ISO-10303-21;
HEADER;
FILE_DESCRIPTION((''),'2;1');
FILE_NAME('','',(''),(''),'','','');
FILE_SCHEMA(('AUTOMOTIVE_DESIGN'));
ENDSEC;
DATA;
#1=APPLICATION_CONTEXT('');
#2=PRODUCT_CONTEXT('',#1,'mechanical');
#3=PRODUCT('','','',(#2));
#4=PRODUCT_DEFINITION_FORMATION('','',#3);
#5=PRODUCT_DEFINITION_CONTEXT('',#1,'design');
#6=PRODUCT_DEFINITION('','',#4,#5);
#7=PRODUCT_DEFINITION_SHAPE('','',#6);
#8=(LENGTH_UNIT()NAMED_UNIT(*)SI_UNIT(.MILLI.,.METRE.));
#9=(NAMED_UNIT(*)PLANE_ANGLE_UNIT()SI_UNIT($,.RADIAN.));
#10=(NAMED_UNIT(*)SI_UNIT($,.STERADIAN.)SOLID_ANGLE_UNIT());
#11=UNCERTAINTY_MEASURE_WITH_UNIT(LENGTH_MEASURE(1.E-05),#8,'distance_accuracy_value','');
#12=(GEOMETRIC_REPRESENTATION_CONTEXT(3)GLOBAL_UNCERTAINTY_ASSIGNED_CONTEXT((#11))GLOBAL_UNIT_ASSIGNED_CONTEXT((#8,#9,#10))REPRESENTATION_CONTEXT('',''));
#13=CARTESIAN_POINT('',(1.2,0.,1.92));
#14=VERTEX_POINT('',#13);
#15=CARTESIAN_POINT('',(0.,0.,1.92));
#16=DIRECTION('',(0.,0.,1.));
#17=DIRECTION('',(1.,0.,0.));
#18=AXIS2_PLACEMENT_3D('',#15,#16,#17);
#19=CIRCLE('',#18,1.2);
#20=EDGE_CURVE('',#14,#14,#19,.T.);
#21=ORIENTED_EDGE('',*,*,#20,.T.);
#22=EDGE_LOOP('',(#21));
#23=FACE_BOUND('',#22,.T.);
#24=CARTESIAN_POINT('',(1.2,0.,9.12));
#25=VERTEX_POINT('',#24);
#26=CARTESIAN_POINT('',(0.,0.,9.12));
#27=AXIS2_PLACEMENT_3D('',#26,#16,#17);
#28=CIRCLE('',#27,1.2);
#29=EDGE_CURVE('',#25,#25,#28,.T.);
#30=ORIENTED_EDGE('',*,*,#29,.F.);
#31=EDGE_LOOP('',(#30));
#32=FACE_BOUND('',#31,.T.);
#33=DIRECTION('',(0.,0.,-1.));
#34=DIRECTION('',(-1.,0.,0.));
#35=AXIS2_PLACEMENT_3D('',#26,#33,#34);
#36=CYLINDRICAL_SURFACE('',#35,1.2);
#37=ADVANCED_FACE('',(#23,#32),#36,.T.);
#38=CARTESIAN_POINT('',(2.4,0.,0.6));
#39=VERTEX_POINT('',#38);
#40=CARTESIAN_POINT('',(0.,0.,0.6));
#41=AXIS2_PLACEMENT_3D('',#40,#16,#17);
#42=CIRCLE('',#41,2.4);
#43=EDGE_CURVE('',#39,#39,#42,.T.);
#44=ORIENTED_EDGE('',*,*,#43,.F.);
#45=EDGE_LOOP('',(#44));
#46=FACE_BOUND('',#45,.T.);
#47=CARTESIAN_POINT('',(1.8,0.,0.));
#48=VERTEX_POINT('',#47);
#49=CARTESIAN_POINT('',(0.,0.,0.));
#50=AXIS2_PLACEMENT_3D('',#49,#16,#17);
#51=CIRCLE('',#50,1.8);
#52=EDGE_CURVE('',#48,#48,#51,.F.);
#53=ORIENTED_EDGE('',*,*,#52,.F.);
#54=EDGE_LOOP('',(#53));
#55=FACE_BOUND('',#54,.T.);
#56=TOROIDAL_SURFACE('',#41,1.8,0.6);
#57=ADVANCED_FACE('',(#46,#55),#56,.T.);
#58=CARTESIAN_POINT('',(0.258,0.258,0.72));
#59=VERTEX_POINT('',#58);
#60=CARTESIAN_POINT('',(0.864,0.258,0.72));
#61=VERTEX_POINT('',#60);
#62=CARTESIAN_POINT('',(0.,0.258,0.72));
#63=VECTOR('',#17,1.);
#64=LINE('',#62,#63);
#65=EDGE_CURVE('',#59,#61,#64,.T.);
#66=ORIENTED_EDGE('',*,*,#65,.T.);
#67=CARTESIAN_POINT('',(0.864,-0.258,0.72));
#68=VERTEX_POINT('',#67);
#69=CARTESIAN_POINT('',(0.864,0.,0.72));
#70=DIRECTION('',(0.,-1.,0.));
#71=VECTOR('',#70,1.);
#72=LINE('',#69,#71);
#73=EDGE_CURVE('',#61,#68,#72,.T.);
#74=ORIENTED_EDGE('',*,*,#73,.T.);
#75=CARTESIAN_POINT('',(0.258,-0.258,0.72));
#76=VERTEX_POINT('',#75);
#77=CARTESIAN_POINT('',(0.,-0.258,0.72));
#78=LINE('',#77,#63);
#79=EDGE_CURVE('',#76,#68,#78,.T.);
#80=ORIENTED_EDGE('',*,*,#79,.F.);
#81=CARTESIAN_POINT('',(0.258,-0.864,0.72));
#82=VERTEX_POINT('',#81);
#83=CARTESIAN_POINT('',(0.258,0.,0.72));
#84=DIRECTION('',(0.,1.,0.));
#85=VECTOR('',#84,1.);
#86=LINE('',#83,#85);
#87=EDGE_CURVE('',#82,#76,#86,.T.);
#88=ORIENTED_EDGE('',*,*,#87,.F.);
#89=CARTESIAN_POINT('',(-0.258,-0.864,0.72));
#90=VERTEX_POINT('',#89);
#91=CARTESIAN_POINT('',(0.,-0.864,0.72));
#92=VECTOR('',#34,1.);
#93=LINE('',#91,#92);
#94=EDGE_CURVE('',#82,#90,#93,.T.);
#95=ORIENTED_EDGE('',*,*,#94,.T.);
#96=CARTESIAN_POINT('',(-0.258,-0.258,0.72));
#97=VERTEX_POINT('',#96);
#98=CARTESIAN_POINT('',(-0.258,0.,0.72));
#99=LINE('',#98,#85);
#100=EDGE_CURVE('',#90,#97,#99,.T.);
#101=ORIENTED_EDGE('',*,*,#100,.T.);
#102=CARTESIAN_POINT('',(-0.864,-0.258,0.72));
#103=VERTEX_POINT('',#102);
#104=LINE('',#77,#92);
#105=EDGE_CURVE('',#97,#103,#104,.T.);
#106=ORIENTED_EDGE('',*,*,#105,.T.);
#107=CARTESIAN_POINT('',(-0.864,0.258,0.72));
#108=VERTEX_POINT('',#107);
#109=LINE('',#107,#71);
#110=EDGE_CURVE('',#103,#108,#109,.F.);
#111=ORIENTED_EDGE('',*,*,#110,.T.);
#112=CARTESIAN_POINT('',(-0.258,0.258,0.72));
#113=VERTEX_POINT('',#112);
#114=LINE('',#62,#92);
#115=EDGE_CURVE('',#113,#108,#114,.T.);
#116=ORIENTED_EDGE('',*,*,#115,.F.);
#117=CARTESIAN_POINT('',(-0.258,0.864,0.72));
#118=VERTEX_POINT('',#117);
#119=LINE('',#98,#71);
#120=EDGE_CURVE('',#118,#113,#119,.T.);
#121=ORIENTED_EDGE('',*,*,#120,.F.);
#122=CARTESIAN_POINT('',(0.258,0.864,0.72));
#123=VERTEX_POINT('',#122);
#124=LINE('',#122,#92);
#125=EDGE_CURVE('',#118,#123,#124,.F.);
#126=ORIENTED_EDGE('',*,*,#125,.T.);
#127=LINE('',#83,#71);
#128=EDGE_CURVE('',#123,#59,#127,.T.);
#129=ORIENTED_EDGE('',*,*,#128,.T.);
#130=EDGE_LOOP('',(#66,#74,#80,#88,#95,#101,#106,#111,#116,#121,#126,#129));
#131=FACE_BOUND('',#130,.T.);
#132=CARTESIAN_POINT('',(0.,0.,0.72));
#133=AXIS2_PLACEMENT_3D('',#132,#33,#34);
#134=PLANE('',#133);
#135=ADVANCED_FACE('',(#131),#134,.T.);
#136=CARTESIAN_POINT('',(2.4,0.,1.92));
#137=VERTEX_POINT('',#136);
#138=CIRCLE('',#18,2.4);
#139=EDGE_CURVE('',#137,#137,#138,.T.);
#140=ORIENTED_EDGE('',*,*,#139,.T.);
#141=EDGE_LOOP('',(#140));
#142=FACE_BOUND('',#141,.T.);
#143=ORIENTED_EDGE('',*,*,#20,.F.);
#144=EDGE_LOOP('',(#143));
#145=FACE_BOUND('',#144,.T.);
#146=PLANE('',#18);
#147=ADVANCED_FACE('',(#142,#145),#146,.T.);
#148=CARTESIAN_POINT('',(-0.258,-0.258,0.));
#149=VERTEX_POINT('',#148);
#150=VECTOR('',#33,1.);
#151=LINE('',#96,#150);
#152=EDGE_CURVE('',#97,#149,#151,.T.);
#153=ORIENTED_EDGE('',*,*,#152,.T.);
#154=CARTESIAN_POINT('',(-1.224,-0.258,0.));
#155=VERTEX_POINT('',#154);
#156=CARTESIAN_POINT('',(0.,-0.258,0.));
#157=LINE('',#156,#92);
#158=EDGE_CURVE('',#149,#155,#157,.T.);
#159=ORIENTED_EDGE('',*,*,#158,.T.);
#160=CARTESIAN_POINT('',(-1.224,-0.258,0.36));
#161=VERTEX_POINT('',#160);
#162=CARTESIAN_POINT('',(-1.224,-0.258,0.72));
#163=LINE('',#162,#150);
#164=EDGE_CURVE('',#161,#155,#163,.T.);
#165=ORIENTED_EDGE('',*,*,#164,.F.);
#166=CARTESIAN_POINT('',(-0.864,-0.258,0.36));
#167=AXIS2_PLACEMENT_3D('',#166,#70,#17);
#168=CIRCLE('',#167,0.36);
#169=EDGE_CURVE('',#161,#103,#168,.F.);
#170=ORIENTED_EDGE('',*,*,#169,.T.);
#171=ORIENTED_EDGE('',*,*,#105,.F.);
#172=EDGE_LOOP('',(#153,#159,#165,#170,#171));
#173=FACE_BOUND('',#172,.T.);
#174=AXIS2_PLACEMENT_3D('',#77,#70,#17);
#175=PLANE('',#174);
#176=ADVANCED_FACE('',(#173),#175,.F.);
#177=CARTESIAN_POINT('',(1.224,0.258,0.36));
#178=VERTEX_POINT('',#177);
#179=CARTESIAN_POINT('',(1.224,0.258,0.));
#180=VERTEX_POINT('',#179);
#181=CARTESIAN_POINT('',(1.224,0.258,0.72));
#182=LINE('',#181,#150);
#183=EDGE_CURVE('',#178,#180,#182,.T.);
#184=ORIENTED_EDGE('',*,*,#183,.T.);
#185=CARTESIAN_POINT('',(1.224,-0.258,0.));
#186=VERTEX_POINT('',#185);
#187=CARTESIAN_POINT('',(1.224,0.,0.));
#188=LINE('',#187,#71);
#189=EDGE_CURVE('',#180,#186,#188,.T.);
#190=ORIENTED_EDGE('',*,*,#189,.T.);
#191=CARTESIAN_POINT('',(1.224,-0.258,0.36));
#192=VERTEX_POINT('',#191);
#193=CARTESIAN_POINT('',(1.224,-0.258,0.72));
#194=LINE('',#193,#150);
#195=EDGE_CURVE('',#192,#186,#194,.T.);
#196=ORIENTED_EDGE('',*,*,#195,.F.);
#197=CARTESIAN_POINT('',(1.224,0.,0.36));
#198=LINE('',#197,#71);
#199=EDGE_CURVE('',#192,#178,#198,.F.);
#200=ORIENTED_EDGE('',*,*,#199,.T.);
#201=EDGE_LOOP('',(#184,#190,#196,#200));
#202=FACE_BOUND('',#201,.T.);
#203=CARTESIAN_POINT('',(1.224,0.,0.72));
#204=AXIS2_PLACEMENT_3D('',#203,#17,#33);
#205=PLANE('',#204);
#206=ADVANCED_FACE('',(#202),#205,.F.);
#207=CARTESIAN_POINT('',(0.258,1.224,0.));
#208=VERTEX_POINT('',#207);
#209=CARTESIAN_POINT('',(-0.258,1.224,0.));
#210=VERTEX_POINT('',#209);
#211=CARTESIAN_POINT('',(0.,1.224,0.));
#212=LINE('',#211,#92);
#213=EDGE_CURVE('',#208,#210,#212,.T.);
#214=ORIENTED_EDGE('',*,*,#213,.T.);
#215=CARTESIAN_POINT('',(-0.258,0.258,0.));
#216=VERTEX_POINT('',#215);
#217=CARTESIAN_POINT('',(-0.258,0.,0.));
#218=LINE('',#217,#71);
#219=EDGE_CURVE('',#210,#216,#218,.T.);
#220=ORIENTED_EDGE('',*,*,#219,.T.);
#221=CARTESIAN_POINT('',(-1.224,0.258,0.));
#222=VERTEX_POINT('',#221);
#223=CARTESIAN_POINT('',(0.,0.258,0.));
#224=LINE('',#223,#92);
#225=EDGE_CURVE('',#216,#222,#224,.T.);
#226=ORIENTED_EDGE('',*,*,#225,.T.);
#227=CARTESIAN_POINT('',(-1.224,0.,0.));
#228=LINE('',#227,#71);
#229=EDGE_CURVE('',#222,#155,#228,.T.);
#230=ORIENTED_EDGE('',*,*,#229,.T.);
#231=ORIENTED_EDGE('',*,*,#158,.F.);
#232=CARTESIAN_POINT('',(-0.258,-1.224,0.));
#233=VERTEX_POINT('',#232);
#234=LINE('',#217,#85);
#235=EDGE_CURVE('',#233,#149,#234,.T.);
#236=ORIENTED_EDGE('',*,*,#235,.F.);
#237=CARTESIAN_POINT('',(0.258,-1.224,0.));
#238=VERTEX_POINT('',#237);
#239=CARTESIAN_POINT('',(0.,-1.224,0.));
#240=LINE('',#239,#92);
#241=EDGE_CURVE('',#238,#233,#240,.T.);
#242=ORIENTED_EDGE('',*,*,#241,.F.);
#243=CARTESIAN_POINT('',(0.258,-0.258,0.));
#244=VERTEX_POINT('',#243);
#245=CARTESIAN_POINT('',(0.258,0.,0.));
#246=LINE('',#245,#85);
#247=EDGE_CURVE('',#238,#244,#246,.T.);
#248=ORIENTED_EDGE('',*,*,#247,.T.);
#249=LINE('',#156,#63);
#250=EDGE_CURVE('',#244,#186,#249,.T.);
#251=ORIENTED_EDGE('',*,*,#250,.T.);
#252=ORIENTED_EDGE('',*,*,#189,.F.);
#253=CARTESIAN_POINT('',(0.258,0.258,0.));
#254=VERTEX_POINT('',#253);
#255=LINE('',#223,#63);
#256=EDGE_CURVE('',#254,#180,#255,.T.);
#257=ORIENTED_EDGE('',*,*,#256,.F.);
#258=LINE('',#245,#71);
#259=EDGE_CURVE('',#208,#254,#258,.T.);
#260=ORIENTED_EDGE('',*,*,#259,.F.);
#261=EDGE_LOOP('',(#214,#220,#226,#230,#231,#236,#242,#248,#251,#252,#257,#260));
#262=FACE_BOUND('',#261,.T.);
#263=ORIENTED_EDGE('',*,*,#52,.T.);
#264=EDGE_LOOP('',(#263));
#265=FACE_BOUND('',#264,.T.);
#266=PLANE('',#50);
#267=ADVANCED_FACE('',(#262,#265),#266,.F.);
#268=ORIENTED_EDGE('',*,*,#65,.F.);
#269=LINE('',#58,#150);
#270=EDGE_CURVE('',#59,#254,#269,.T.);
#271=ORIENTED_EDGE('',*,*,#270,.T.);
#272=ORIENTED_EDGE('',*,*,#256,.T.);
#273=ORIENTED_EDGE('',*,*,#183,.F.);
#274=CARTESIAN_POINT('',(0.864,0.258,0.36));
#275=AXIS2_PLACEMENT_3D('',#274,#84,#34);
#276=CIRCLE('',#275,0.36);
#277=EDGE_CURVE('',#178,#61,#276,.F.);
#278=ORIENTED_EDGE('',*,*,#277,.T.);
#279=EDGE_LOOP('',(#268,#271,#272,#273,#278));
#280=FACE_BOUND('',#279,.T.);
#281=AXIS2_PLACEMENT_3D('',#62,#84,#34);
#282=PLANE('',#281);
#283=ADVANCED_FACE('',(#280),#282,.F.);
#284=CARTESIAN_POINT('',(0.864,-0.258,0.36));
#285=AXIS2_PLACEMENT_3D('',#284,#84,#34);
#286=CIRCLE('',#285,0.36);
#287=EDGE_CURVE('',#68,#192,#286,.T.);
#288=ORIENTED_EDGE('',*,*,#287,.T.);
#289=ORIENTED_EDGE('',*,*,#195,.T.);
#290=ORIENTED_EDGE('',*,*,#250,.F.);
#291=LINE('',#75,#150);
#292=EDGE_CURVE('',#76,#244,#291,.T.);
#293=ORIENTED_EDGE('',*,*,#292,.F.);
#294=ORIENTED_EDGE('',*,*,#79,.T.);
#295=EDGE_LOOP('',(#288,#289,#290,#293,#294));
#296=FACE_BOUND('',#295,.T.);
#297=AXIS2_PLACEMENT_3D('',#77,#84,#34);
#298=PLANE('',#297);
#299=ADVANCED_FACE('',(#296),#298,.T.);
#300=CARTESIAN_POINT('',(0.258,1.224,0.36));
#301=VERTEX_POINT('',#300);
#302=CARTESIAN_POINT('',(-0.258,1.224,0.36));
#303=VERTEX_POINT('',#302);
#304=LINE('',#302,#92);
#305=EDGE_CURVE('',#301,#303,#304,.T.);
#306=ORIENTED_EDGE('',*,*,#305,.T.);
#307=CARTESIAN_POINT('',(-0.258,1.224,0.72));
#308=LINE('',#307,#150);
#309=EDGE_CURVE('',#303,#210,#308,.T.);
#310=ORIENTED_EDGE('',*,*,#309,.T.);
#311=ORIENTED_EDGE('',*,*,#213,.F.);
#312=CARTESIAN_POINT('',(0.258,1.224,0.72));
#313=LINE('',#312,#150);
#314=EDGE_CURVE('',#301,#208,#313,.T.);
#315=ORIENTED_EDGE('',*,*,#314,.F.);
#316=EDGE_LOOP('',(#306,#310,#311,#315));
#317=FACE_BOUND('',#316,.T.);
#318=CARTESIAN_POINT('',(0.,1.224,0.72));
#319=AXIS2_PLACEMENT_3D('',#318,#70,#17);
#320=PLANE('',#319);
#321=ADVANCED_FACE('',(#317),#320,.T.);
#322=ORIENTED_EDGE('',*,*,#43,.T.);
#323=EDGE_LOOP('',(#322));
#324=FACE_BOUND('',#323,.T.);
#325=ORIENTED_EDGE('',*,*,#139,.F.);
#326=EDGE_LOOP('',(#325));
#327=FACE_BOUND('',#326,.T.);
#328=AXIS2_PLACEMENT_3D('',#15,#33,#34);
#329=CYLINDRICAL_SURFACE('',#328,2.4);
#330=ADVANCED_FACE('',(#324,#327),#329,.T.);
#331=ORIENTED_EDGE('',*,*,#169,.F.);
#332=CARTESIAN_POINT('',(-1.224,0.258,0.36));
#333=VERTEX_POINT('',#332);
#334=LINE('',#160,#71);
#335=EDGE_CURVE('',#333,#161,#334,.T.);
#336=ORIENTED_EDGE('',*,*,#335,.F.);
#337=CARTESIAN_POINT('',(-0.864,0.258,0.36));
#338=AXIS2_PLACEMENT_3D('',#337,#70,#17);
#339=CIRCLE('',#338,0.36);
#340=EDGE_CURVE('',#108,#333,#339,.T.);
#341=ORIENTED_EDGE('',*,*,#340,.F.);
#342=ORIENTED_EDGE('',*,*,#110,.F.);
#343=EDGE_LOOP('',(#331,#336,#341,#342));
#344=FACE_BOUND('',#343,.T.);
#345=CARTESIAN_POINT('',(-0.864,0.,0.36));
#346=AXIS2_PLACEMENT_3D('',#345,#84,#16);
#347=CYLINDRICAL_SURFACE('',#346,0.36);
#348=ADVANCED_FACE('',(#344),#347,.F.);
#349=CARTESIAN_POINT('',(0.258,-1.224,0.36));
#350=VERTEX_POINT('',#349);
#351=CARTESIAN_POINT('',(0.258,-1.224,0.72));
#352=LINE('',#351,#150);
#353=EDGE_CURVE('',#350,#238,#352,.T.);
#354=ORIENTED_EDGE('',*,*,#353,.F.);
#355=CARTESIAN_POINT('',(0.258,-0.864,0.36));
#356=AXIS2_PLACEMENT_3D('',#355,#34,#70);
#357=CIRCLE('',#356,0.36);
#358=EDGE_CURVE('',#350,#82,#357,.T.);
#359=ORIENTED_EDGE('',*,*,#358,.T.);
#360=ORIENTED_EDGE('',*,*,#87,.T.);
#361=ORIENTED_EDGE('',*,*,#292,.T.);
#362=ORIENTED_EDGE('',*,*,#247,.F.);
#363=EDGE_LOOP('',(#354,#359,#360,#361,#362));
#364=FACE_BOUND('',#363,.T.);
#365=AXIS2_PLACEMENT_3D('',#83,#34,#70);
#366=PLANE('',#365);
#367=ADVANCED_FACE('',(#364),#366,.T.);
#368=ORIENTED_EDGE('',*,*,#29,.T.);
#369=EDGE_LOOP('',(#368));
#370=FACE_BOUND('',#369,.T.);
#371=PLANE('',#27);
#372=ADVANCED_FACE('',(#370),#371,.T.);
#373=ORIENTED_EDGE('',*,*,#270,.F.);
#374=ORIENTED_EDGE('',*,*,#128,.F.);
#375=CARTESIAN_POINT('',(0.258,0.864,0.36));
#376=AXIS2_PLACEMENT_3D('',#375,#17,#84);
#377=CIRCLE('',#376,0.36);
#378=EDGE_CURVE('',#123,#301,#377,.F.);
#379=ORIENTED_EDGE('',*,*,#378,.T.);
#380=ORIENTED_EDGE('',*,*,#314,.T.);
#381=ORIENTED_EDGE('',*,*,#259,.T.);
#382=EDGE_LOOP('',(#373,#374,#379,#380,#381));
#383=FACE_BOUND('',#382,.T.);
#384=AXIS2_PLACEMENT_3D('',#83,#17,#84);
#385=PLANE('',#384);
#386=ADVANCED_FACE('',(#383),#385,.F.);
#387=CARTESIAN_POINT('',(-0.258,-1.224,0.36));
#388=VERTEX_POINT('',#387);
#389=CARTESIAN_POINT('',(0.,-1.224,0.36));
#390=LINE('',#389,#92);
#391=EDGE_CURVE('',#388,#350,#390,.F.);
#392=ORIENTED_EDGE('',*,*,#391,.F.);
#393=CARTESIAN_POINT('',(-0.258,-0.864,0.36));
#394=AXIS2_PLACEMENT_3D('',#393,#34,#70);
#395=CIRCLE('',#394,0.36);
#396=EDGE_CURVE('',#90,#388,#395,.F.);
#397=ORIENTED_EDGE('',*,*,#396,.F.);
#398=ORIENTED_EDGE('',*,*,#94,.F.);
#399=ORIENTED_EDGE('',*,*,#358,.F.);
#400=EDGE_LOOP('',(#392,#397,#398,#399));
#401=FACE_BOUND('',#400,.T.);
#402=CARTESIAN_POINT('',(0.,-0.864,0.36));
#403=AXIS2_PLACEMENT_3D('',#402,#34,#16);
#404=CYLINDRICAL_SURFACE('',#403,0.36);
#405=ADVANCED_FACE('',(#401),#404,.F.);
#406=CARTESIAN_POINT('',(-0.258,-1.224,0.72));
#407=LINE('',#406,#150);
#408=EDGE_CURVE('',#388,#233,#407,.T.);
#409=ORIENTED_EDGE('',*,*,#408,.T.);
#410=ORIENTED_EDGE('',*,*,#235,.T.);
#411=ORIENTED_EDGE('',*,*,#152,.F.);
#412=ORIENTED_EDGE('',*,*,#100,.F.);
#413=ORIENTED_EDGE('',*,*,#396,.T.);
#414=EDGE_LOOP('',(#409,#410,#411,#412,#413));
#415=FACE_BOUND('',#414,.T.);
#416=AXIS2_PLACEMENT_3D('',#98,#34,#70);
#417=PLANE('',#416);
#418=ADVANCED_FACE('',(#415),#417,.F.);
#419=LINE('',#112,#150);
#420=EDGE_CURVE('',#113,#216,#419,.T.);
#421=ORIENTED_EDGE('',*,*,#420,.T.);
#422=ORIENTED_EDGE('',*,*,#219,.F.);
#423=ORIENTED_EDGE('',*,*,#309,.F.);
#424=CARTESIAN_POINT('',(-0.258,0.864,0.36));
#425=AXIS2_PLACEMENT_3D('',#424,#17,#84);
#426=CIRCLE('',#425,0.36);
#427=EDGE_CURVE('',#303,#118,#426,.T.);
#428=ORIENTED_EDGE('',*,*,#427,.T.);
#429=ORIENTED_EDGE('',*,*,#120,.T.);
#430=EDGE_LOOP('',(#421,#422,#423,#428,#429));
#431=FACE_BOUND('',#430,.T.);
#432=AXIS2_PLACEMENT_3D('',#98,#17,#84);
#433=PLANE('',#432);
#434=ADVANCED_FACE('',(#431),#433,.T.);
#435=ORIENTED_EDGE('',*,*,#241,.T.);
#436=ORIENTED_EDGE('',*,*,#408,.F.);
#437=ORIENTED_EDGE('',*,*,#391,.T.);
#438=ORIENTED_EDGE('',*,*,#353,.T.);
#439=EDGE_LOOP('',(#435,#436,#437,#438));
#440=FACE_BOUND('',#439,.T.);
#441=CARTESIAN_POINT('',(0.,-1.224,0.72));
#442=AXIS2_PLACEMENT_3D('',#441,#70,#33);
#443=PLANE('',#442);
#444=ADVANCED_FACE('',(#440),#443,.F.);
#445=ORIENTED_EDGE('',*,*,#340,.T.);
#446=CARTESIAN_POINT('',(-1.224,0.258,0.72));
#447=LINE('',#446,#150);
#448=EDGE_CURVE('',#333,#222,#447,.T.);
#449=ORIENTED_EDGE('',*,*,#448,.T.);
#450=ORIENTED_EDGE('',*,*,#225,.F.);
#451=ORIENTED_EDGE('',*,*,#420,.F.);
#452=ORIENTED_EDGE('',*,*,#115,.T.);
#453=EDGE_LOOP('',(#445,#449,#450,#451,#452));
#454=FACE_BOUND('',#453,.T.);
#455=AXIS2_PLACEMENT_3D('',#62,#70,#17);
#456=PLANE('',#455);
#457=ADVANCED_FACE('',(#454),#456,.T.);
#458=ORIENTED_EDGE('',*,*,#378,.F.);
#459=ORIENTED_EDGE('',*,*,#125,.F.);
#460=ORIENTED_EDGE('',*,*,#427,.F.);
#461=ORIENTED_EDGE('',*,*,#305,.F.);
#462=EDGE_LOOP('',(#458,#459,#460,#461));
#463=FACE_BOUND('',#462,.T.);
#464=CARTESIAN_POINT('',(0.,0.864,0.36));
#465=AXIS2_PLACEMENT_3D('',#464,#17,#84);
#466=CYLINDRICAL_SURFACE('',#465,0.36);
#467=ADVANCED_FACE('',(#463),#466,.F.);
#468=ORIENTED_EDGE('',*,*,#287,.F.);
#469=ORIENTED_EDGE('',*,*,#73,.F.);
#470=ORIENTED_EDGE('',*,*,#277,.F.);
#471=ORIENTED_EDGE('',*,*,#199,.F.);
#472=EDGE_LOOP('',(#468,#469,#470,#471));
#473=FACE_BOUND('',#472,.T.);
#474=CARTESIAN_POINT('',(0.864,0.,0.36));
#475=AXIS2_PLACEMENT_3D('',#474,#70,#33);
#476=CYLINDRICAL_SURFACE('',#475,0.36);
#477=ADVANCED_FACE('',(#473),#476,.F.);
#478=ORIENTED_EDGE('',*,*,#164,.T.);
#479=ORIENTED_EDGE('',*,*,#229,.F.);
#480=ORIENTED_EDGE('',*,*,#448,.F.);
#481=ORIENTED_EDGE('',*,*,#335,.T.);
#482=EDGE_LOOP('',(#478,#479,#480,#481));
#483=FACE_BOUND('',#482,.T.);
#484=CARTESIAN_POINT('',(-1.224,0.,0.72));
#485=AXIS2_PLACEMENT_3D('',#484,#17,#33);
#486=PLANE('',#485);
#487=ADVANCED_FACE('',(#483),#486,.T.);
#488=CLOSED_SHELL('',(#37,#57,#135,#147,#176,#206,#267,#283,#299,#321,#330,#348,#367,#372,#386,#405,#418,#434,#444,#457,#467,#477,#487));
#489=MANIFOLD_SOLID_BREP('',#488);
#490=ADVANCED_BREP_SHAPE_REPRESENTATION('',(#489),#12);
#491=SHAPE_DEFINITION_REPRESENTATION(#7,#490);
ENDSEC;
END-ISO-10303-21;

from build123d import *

# Parameters (mm, degrees)
ESQUISSE1_R             = 2.4
ESQUISSE1_R_2           = 2.16514488
BOSS_EXTRU_1_DEPTH      = 1.92
ENL_V_MAT_EXTRU_1_DEPTH = 0.72
CONG_6_R                = 0.36
ESQUISSE3_R             = 1.2
BOSS_EXTRU_2_DEPTH      = 7.2
CONG_7_R                = 0.6


with BuildPart() as part:
    # Esquisse1 → Boss.-Extru.1 (new body)
    # profile 1 of 3: a face of its own
    with BuildSketch(Plane.XY):
        Circle(ESQUISSE1_R)
        Circle(ESQUISSE1_R_2, mode=Mode.SUBTRACT)
    # profile 2 of 3: a face of its own
    with BuildSketch(Plane.XY):
        Circle(ESQUISSE1_R_2)
        Polygon((-0.258, -1.318102798), (-0.258, -0.258), (-1.224, -0.258), (-1.224, 0.258), (-0.258, 0.258), (-0.258, 1.318102798), (0.258, 1.318102798), (0.258, 0.258), (1.224, 0.258), (1.224, -0.258), (0.258, -0.258), (0.258, -1.318102798), align=None, mode=Mode.SUBTRACT)
    # profile 3 of 3: a face of its own
    with BuildSketch(Plane.XY):
        Polygon((-0.258, -0.258), (-1.224, -0.258), (-1.224, 0.258), (-0.258, 0.258), (-0.258, 1.318102798), (0.258, 1.318102798), (0.258, 0.258), (1.224, 0.258), (1.224, -0.258), (0.258, -0.258), (0.258, -1.318102798), (-0.258, -1.318102798), align=None)
    extrude(amount=BOSS_EXTRU_1_DEPTH)

    # Esquisse2 → Enlèv. mat.-Extru.1 (cut)
    with BuildSketch(Plane(origin=(0, 0, 0), x_dir=(-1, 0, 0), z_dir=(0, 0, -1))):
        Polygon((0, -1.224), (0, 0), (-1.224, 0), (-1.224, -0.258), (-0.258, -0.258), (-0.258, -1.224), align=None)
        Polygon((0, 0), (0, 1.224), (-0.258, 1.224), (-0.258, 0.258), (-1.224, 0.258), (-1.224, 0), align=None)
        Polygon((0.258, 1.224), (0, 1.224), (0, 0), (1.224, 0), (1.224, 0.258), (0.258, 0.258), align=None)
        Polygon((1.224, 0), (0, 0), (0, -1.224), (0.258, -1.224), (0.258, -0.258), (1.224, -0.258), align=None)
    extrude(amount=-ENL_V_MAT_EXTRU_1_DEPTH, mode=Mode.SUBTRACT)

    # Congé6
    cong_6_edges = [part.edges().sort_by_distance(p)[0] for p in [
        (0, -1.224, 0.72),
        (1.224, 0, 0.72),
        (-1.224, 0, 0.72),
        (0, 1.224, 0.72),
    ]]
    fillet(cong_6_edges, radius=CONG_6_R)

    # Esquisse3 → Boss.-Extru.2 (add)
    with BuildSketch(Plane.XY.offset(1.92)):
        Circle(ESQUISSE3_R)
    extrude(amount=BOSS_EXTRU_2_DEPTH)

    # Congé7
    cong_7_edges = [part.edges().sort_by_distance(p)[0] for p in [
        (-2.4, 0, 0),
    ]]
    fillet(cong_7_edges, radius=CONG_7_R)


solid = part.part
